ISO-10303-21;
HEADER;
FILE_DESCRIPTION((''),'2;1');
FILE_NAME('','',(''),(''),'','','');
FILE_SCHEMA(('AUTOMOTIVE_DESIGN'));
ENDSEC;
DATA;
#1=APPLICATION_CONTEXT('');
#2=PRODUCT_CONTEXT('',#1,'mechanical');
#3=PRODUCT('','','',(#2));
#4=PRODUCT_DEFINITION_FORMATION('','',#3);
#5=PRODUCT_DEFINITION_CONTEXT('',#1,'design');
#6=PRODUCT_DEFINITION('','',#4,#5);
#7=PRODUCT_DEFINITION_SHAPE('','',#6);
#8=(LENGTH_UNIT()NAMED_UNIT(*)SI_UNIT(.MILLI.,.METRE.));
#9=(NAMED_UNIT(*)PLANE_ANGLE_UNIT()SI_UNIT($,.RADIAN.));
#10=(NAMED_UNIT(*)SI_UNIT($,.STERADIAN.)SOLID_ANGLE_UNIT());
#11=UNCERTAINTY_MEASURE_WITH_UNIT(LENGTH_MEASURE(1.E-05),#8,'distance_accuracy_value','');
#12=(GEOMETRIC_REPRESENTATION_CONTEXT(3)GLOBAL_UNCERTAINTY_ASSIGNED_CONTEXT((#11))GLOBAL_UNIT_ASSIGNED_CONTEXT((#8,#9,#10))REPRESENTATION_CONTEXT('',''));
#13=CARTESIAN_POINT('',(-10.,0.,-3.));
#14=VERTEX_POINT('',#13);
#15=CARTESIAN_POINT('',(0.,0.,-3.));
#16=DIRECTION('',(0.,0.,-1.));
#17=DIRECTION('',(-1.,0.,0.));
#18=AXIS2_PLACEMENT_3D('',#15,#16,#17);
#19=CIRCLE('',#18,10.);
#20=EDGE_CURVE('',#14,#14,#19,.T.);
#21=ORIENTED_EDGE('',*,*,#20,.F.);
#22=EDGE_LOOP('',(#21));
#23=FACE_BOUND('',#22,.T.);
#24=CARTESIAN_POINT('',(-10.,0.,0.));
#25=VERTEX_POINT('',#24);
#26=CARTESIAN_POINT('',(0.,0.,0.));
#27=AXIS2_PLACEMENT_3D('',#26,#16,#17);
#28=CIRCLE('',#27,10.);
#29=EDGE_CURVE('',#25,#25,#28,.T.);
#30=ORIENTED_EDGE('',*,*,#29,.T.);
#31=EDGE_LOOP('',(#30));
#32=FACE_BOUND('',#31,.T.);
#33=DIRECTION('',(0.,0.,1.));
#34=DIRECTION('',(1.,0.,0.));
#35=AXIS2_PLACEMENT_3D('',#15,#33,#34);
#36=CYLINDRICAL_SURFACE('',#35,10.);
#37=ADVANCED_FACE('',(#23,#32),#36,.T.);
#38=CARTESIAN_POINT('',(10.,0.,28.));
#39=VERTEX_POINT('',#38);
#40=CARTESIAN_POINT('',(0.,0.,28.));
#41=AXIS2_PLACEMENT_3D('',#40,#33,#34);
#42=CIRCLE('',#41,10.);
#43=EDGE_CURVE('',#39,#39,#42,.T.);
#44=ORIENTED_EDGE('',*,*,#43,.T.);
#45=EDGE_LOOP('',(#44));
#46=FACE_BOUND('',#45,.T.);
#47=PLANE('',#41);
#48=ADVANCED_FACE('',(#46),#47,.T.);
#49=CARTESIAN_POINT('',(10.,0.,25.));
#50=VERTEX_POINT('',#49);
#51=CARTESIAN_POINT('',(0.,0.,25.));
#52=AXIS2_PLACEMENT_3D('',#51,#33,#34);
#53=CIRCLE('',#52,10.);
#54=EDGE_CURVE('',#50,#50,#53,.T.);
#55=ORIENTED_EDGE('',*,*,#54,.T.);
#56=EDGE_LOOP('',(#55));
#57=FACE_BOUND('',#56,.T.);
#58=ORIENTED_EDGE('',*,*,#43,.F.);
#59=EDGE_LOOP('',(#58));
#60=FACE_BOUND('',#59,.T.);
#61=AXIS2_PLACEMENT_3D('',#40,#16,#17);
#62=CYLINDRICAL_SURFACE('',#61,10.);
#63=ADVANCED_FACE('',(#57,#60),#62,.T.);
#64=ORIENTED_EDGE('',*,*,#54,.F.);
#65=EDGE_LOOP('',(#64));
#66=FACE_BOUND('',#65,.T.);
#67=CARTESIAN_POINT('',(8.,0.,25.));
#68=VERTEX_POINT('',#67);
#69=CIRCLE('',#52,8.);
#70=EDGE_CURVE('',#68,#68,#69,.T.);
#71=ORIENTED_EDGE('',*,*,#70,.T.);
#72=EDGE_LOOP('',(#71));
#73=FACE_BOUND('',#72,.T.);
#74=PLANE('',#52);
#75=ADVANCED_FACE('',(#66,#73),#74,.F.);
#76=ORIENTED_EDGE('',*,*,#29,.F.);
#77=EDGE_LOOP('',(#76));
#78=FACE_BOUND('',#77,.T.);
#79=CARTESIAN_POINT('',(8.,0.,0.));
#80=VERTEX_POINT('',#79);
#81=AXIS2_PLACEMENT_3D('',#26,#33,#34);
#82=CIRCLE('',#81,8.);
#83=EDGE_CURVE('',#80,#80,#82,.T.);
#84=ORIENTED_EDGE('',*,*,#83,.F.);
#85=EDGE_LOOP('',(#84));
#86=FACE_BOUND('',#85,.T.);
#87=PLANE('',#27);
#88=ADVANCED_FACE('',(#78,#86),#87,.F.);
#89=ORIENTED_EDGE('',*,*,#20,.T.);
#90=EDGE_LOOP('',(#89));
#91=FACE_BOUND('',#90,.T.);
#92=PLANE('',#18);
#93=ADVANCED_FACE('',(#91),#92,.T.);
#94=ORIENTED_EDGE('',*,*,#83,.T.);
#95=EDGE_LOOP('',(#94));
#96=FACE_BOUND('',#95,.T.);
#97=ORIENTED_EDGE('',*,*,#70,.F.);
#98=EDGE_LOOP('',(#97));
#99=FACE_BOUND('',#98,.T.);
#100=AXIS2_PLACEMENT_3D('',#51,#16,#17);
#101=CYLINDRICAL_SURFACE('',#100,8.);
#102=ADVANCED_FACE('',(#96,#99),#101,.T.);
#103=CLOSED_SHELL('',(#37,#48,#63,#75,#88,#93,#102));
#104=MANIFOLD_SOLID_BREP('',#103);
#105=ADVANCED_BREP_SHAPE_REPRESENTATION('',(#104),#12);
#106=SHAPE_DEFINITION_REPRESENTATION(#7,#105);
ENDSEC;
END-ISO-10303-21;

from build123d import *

# Parameters (mm, degrees)
SKETCH_1_R      = 8
EXTRUDE_3_DEPTH = 25
SKETCH_3_R      = 10
EXTRUDE_4_DEPTH = 3
EXTRUDE_START   = 3
SKETCH_4_R      = 10
EXTRUDE_5_DEPTH = 3


with BuildPart() as part:
    # 草图1 → 凸台-拉伸3 (new body)
    with BuildSketch(Plane.XY):
        Circle(SKETCH_1_R)
    extrude(amount=EXTRUDE_3_DEPTH)

    # 草图3 → 凸台-拉伸4 (add)
    with BuildSketch(Plane.XY.offset(25)):
        Circle(SKETCH_3_R)
    extrude(amount=EXTRUDE_4_DEPTH)

    # 草图4 → 凸台-拉伸5 (add)
    with BuildSketch(Plane(origin=(0, 0, 0), x_dir=(-1, 0, 0), z_dir=(0, 0, -1)).offset(EXTRUDE_START)):
        with Locations(Location((0, 0, 0), (0, 0, 180))):
            Circle(SKETCH_4_R)
    extrude(amount=-EXTRUDE_5_DEPTH)


solid = part.part
